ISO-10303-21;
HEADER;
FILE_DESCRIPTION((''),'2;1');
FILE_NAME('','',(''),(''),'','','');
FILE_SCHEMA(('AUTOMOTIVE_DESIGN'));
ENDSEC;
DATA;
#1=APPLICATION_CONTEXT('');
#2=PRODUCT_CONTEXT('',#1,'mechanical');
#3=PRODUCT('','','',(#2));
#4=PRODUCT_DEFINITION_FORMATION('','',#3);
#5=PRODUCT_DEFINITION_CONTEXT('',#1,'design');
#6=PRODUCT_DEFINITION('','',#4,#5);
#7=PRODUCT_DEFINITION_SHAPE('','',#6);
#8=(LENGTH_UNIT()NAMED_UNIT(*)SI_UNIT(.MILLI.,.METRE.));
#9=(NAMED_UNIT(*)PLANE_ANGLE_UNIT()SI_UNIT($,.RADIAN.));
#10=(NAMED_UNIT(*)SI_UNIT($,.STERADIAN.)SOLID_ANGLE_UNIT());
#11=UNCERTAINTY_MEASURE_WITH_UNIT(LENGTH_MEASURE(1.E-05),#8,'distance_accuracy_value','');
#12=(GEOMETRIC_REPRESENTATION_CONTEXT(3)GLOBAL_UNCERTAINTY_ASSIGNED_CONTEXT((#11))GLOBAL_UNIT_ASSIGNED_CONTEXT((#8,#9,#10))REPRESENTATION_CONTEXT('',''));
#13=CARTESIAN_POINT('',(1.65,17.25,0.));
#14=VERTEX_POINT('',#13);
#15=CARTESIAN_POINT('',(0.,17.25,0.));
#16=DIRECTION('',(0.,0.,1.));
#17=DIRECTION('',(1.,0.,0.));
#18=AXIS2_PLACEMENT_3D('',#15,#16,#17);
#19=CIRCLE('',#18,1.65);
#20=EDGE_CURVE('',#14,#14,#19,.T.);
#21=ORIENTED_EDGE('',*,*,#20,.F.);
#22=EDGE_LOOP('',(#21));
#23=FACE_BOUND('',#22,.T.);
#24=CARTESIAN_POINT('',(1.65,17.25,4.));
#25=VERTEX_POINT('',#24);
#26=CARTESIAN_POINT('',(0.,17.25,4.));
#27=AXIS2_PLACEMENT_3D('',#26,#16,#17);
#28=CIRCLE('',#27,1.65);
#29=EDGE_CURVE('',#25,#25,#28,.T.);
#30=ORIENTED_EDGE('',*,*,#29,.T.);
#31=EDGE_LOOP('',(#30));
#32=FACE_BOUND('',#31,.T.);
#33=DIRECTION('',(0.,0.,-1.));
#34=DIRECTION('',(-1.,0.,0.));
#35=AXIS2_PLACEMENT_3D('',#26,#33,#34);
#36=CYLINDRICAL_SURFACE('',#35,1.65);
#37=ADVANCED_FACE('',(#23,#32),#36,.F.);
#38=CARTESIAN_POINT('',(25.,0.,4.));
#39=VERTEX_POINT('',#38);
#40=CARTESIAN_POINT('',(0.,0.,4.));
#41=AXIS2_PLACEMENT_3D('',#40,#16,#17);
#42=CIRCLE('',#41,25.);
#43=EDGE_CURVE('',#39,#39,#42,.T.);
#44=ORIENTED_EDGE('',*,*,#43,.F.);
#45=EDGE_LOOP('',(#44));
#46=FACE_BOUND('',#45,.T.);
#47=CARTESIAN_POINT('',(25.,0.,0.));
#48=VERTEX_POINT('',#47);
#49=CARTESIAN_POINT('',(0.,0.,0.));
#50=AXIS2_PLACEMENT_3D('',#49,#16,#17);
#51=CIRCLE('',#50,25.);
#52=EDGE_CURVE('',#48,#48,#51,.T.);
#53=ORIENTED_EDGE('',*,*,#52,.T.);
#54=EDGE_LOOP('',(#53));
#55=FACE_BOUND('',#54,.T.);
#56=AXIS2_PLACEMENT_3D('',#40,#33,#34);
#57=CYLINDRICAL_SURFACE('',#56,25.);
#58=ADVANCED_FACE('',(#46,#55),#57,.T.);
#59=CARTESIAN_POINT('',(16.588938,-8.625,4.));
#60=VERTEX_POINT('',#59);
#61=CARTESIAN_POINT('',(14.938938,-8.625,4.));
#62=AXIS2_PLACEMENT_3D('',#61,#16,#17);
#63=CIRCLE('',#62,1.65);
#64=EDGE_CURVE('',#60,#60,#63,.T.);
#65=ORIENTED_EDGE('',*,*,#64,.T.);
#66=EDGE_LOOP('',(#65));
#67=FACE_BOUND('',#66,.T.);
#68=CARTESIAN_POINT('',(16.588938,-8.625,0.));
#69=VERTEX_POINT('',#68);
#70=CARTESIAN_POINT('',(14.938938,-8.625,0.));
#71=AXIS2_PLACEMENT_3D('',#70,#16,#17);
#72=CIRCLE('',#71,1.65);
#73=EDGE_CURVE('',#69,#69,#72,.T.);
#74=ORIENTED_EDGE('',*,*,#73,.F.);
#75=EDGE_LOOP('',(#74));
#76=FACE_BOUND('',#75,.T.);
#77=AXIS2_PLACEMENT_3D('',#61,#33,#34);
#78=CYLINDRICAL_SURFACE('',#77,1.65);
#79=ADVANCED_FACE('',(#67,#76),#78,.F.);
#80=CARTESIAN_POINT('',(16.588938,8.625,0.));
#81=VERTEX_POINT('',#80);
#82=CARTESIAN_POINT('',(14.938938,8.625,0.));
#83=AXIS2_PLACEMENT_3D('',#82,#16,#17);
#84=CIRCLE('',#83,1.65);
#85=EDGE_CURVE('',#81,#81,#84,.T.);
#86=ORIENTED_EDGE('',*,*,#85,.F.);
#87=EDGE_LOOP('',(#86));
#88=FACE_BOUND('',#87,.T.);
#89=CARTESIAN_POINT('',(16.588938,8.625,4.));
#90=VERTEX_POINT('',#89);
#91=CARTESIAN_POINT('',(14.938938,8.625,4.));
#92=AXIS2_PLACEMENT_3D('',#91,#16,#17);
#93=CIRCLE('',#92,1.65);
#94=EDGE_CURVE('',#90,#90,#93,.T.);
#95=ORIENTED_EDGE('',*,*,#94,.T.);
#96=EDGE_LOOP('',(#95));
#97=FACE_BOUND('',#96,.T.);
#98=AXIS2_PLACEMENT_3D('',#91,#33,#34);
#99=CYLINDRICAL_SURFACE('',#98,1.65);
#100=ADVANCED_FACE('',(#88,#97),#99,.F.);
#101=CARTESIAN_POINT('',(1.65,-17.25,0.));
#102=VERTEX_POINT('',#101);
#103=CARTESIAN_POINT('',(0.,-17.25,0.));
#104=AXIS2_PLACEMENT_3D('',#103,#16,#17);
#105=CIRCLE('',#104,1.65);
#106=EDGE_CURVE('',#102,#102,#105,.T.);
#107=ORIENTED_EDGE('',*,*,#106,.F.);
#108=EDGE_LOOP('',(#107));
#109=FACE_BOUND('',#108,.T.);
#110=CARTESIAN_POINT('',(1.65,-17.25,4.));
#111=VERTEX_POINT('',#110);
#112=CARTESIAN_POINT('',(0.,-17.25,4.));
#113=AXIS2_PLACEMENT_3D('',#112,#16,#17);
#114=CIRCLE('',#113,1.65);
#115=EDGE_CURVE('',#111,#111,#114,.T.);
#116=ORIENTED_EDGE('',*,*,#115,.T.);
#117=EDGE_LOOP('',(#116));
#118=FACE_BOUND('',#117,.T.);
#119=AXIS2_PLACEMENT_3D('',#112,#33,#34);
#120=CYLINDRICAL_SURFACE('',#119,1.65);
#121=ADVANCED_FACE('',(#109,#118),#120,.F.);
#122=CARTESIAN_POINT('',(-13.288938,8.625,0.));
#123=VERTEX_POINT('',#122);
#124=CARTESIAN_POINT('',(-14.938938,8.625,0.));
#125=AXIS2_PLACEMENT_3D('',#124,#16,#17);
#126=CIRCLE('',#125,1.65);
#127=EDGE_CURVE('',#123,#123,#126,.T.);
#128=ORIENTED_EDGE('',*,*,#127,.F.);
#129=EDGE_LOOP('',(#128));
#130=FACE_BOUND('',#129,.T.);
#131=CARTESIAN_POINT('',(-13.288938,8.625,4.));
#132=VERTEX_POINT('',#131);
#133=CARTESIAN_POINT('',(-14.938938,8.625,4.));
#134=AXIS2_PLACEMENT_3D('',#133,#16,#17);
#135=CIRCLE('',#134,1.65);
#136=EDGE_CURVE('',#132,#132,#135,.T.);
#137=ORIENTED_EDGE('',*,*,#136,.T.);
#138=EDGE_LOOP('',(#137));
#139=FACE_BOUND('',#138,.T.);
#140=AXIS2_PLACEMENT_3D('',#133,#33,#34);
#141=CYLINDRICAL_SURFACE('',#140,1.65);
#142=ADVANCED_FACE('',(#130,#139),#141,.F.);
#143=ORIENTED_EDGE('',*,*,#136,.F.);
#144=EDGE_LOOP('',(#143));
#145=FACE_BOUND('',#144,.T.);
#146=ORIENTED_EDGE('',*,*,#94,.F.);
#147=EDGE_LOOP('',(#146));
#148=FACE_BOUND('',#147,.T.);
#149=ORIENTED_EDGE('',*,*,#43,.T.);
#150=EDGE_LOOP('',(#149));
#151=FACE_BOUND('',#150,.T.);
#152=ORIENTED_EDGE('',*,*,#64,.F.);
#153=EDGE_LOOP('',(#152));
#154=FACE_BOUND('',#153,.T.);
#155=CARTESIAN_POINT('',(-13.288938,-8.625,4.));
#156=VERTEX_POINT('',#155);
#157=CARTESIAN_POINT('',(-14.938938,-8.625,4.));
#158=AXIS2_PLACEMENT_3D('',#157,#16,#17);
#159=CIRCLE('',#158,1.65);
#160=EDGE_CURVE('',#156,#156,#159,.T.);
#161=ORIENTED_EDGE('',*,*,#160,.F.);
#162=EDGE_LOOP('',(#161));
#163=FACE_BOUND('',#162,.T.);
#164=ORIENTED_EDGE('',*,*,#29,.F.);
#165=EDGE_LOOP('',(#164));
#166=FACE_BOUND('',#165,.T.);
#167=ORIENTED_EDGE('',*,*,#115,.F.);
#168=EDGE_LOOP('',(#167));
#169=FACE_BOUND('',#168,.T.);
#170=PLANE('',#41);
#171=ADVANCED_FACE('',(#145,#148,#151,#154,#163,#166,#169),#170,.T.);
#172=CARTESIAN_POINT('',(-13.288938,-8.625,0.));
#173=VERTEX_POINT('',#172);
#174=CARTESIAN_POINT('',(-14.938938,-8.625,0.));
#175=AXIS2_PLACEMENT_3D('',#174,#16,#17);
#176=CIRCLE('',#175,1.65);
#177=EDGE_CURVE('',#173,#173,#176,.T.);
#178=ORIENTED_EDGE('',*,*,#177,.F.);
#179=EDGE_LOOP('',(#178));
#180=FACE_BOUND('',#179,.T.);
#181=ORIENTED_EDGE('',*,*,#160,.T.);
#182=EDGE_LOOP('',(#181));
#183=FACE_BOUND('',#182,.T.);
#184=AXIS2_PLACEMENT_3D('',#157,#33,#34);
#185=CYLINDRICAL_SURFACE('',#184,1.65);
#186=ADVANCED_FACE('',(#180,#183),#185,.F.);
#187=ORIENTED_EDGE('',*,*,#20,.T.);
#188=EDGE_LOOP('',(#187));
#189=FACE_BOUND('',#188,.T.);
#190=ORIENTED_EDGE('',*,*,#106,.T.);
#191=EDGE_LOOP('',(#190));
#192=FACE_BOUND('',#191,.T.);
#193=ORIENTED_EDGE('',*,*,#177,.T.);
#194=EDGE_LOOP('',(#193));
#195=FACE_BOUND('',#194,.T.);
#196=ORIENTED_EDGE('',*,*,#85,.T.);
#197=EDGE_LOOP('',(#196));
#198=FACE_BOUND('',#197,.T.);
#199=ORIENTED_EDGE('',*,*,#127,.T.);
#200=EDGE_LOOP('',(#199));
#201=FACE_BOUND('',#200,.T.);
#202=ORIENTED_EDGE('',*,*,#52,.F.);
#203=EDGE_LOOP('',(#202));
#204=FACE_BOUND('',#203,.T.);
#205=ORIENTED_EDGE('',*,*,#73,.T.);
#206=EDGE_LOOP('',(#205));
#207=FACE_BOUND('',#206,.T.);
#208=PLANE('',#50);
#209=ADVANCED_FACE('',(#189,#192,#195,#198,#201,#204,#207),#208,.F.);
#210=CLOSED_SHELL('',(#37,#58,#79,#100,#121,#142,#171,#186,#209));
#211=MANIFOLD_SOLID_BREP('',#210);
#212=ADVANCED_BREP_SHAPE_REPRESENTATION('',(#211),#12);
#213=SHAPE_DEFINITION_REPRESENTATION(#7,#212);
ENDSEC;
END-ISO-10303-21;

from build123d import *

# Parameters (mm, degrees)
SKETCH_1_R      = 25
SKETCH_1_R_2    = 1.65
EXTRUDE_1_DEPTH = 4


with BuildPart() as part:
    # 草图1 → 凸台-拉伸1 (new body)
    with BuildSketch(Plane.XY):
        Circle(SKETCH_1_R)
        with Locations((0, 17.25)):
            Circle(SKETCH_1_R_2, mode=Mode.SUBTRACT)
        with Locations((14.938938215, 8.625)):
            Circle(SKETCH_1_R_2, mode=Mode.SUBTRACT)
        with Locations((14.938938215, -8.625)):
            Circle(SKETCH_1_R_2, mode=Mode.SUBTRACT)
        with Locations((0, -17.25)):
            Circle(SKETCH_1_R_2, mode=Mode.SUBTRACT)
        with Locations((-14.938938215, -8.625)):
            Circle(SKETCH_1_R_2, mode=Mode.SUBTRACT)
        with Locations((-14.938938215, 8.625)):
            Circle(SKETCH_1_R_2, mode=Mode.SUBTRACT)
    extrude(amount=EXTRUDE_1_DEPTH)


solid = part.part
